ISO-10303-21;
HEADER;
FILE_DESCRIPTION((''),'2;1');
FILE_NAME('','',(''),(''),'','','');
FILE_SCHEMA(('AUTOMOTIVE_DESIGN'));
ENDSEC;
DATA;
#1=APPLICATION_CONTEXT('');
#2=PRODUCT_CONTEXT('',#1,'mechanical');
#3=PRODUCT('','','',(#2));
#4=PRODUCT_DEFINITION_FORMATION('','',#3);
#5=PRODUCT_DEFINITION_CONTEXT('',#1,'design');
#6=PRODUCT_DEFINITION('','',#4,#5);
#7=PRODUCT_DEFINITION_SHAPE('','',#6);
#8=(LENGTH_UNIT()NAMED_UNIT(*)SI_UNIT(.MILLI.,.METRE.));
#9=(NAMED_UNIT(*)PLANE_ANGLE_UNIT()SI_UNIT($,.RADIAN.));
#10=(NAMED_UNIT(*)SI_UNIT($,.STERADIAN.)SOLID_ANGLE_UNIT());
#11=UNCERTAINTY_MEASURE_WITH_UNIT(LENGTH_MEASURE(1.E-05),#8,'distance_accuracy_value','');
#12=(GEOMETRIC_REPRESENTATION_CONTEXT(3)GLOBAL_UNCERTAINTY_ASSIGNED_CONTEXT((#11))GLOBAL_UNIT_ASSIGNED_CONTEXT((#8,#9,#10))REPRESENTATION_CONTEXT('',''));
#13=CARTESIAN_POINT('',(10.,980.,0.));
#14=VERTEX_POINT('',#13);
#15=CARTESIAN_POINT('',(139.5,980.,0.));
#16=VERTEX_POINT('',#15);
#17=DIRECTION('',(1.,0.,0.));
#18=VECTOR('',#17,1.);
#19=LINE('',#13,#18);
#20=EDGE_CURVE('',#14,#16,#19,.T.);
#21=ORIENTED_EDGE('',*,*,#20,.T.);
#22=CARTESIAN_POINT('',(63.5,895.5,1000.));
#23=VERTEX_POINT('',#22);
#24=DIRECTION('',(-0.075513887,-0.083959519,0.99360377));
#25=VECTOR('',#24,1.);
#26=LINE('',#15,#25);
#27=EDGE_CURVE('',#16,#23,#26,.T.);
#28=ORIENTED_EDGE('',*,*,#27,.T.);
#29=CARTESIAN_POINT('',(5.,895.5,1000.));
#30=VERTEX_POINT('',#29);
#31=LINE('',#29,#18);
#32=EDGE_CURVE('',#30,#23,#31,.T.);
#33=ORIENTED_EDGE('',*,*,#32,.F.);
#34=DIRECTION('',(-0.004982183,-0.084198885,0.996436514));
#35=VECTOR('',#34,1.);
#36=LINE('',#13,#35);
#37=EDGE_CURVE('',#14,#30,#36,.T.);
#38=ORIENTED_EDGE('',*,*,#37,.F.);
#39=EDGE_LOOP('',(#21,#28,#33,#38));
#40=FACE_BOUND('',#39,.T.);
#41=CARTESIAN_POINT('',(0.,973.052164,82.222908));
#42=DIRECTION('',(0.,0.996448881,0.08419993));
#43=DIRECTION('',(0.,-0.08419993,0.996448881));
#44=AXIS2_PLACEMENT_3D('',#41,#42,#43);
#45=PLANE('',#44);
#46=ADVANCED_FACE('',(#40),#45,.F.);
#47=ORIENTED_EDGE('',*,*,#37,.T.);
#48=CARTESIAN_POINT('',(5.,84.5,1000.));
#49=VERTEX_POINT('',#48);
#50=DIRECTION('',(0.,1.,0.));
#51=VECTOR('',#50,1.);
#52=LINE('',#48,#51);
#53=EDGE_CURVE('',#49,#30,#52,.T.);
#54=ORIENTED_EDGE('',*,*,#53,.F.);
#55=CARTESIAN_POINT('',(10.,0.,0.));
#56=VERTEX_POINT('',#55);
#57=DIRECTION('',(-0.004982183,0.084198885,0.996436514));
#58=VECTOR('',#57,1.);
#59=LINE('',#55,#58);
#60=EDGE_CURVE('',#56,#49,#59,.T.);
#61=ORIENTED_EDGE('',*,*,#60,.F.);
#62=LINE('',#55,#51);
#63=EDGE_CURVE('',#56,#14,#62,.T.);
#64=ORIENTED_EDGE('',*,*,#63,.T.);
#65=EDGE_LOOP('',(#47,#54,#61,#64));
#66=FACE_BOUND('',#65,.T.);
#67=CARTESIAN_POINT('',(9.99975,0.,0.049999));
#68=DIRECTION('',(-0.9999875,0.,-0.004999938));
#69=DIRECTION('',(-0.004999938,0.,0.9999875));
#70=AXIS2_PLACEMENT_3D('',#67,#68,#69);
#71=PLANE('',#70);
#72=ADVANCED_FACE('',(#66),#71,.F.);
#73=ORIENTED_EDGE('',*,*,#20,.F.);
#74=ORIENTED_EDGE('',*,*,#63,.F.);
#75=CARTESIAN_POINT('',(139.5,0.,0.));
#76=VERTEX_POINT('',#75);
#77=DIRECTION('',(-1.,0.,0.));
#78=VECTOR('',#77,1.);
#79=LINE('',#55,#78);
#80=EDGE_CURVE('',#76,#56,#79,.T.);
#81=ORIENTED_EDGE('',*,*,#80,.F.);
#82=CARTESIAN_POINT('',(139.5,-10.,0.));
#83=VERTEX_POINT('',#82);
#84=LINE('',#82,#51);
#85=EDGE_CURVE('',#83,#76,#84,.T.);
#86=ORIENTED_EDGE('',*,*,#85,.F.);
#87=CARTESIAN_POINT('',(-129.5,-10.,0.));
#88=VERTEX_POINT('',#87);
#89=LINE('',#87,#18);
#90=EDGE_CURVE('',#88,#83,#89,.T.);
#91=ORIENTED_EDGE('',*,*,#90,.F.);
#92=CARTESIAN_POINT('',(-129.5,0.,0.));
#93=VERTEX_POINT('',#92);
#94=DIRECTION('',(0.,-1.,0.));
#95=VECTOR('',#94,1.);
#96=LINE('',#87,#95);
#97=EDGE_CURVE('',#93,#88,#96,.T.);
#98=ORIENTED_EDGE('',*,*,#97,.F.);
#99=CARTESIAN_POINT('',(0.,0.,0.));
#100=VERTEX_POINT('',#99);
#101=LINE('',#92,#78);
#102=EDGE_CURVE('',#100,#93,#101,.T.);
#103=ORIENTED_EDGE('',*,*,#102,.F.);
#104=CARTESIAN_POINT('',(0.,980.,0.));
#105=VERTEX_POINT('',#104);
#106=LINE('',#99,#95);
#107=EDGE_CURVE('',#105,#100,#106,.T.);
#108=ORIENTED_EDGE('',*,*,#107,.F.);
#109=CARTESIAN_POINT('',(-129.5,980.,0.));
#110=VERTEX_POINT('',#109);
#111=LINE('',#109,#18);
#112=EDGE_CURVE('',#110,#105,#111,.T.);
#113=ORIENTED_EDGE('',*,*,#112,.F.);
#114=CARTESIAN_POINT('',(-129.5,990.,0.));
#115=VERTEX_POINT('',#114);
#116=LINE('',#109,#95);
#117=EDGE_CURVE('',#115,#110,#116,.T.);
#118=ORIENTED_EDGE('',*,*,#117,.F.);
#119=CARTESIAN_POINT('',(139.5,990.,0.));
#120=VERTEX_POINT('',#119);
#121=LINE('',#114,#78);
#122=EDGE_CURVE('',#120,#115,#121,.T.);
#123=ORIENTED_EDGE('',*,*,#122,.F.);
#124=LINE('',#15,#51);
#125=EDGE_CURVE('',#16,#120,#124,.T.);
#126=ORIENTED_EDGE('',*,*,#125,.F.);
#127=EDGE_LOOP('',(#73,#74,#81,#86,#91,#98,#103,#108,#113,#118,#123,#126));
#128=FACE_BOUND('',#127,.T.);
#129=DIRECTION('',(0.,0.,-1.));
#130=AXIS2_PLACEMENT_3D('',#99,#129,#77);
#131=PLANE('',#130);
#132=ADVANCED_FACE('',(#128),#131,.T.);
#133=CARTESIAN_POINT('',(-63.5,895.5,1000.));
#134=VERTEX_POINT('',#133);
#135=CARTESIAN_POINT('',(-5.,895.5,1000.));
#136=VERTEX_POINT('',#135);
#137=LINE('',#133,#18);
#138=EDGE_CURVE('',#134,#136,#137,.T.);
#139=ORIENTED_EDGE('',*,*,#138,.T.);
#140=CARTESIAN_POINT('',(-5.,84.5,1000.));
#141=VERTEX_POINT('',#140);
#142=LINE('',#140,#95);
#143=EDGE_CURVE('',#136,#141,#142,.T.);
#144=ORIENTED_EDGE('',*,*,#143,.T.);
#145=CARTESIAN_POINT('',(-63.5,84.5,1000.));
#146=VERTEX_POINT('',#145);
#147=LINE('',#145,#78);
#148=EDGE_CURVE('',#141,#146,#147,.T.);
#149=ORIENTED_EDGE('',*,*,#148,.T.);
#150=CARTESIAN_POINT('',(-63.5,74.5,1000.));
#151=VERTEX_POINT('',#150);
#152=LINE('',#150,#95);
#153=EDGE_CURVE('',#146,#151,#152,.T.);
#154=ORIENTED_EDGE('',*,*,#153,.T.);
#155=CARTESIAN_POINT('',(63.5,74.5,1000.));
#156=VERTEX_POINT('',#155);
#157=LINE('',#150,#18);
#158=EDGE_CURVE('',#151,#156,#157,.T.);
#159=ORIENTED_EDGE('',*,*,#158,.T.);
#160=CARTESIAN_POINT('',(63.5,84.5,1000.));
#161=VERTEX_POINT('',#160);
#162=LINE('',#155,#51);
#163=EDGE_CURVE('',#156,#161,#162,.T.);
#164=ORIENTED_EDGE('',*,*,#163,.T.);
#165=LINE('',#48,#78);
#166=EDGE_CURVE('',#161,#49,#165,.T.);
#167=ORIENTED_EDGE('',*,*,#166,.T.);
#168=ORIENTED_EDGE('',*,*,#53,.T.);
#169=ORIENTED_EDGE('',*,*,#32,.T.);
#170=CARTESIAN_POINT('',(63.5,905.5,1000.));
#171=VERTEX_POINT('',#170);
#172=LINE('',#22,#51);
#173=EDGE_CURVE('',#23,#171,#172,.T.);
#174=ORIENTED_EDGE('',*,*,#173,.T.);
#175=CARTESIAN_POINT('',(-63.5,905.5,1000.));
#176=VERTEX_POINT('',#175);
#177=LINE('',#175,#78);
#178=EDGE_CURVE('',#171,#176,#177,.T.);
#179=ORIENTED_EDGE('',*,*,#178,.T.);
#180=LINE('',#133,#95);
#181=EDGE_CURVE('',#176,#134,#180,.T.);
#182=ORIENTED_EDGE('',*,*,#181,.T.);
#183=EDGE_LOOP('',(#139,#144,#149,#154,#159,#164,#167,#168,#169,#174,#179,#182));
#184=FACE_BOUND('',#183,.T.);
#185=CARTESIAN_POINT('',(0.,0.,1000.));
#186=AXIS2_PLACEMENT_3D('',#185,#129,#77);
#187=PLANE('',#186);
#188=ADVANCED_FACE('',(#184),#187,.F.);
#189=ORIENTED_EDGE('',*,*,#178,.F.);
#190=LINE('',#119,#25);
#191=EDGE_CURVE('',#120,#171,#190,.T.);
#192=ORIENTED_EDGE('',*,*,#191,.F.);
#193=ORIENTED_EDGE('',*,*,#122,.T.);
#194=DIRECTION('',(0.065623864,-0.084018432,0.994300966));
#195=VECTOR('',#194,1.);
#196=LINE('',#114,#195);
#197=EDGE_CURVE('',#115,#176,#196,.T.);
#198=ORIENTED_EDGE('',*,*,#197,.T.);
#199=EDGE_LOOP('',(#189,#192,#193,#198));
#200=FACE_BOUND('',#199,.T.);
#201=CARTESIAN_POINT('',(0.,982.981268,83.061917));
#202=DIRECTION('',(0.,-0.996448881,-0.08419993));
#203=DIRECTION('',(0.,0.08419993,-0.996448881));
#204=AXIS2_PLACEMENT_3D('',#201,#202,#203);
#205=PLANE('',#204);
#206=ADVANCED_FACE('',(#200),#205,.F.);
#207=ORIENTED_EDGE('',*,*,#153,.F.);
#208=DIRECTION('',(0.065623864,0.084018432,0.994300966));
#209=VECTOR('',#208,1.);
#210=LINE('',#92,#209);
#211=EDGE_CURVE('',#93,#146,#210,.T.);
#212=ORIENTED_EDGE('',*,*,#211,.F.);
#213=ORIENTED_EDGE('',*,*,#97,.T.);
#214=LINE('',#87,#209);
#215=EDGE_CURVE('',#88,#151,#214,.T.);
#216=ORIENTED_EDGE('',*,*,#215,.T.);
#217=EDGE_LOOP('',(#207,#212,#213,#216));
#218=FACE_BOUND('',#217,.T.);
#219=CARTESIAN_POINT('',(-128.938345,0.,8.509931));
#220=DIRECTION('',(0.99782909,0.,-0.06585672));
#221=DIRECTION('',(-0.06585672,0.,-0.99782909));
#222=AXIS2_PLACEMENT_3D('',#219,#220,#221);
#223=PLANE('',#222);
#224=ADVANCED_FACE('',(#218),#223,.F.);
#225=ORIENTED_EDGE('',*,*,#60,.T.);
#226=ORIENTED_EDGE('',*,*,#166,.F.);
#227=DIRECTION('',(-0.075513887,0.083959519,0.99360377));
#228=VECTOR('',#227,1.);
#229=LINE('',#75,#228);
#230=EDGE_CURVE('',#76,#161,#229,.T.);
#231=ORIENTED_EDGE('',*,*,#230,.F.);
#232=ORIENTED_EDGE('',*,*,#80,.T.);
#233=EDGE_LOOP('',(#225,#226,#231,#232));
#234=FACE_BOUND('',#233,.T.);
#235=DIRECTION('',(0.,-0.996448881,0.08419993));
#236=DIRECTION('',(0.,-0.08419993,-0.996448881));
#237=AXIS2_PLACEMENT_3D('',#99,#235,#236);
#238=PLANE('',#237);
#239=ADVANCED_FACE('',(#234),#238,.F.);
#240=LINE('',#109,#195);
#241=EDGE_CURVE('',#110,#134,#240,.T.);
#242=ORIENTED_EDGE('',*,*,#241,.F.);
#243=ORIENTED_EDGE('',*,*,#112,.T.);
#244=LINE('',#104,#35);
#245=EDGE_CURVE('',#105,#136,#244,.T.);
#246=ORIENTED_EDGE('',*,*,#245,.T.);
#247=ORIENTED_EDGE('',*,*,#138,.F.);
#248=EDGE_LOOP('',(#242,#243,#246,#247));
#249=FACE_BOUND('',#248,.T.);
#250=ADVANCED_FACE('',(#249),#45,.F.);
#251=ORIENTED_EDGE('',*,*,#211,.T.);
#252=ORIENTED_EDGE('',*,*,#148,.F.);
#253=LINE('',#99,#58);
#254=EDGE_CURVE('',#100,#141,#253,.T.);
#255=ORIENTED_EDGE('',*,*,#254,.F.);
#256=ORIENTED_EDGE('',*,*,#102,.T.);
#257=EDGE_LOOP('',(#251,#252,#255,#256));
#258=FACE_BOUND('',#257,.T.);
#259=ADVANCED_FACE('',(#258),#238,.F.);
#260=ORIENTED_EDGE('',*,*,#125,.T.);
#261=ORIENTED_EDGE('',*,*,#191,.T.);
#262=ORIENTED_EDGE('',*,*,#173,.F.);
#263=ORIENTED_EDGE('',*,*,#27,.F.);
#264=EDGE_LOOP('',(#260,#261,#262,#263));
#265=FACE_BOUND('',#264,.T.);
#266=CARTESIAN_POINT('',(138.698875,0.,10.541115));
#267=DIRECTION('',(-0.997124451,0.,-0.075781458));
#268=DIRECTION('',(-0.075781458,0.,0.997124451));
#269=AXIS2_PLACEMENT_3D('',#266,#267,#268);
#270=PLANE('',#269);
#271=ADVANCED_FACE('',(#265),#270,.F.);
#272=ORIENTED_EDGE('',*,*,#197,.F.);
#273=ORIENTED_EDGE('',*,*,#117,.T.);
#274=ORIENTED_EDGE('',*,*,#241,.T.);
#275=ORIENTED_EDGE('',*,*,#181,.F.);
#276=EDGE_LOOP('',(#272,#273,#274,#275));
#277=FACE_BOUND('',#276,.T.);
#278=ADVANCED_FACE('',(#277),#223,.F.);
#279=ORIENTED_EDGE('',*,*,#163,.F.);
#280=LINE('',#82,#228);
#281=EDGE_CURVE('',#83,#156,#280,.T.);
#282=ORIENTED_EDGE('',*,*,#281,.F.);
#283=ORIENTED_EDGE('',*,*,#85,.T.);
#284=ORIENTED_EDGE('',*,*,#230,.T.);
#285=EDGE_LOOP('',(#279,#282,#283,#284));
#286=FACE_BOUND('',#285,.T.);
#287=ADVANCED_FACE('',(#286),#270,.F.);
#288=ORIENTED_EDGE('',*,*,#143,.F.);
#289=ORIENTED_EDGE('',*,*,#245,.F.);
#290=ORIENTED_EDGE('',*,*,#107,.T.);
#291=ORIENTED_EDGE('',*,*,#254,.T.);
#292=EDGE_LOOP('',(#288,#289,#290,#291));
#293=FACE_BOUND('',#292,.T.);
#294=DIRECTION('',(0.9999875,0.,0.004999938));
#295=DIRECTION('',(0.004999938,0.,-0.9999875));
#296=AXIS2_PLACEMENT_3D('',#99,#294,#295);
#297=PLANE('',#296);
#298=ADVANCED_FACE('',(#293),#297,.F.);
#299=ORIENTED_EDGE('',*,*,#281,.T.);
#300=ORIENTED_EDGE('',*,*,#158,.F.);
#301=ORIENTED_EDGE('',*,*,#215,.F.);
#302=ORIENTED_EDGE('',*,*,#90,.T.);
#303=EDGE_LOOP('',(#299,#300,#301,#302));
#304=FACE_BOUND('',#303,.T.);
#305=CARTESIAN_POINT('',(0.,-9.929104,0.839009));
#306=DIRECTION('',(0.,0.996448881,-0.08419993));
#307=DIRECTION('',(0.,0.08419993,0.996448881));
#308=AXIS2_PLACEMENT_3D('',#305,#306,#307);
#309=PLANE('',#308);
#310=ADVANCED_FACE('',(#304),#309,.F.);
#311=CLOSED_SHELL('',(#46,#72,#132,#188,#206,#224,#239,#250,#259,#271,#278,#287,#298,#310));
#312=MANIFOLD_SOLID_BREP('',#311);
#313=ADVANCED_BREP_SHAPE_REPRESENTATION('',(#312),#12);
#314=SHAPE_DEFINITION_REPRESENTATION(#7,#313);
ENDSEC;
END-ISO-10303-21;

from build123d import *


with BuildPart() as part:
    # Sketch1 → Loft2 section 0
    with BuildSketch(Plane.XY):
        Polygon((-129.5, 0), (0, 0), (0, 980), (-129.5, 980), (-129.5, 990), (139.5, 990), (139.5, 980), (10, 980), (10, 0), (139.5, 0), (139.5, -10), (-129.5, -10), align=None)
    # Sketch3 → Loft2 section 1
    with BuildSketch(Plane.XY.offset(1000)):
        Polygon((-63.5, 895.5), (-5, 895.5), (-5, 84.5), (-63.5, 84.5), (-63.5, 74.5), (63.5, 74.5), (63.5, 84.5), (5, 84.5), (5, 895.5), (63.5, 895.5), (63.5, 905.5), (-63.5, 905.5), align=None)
    loft()


solid = part.part
